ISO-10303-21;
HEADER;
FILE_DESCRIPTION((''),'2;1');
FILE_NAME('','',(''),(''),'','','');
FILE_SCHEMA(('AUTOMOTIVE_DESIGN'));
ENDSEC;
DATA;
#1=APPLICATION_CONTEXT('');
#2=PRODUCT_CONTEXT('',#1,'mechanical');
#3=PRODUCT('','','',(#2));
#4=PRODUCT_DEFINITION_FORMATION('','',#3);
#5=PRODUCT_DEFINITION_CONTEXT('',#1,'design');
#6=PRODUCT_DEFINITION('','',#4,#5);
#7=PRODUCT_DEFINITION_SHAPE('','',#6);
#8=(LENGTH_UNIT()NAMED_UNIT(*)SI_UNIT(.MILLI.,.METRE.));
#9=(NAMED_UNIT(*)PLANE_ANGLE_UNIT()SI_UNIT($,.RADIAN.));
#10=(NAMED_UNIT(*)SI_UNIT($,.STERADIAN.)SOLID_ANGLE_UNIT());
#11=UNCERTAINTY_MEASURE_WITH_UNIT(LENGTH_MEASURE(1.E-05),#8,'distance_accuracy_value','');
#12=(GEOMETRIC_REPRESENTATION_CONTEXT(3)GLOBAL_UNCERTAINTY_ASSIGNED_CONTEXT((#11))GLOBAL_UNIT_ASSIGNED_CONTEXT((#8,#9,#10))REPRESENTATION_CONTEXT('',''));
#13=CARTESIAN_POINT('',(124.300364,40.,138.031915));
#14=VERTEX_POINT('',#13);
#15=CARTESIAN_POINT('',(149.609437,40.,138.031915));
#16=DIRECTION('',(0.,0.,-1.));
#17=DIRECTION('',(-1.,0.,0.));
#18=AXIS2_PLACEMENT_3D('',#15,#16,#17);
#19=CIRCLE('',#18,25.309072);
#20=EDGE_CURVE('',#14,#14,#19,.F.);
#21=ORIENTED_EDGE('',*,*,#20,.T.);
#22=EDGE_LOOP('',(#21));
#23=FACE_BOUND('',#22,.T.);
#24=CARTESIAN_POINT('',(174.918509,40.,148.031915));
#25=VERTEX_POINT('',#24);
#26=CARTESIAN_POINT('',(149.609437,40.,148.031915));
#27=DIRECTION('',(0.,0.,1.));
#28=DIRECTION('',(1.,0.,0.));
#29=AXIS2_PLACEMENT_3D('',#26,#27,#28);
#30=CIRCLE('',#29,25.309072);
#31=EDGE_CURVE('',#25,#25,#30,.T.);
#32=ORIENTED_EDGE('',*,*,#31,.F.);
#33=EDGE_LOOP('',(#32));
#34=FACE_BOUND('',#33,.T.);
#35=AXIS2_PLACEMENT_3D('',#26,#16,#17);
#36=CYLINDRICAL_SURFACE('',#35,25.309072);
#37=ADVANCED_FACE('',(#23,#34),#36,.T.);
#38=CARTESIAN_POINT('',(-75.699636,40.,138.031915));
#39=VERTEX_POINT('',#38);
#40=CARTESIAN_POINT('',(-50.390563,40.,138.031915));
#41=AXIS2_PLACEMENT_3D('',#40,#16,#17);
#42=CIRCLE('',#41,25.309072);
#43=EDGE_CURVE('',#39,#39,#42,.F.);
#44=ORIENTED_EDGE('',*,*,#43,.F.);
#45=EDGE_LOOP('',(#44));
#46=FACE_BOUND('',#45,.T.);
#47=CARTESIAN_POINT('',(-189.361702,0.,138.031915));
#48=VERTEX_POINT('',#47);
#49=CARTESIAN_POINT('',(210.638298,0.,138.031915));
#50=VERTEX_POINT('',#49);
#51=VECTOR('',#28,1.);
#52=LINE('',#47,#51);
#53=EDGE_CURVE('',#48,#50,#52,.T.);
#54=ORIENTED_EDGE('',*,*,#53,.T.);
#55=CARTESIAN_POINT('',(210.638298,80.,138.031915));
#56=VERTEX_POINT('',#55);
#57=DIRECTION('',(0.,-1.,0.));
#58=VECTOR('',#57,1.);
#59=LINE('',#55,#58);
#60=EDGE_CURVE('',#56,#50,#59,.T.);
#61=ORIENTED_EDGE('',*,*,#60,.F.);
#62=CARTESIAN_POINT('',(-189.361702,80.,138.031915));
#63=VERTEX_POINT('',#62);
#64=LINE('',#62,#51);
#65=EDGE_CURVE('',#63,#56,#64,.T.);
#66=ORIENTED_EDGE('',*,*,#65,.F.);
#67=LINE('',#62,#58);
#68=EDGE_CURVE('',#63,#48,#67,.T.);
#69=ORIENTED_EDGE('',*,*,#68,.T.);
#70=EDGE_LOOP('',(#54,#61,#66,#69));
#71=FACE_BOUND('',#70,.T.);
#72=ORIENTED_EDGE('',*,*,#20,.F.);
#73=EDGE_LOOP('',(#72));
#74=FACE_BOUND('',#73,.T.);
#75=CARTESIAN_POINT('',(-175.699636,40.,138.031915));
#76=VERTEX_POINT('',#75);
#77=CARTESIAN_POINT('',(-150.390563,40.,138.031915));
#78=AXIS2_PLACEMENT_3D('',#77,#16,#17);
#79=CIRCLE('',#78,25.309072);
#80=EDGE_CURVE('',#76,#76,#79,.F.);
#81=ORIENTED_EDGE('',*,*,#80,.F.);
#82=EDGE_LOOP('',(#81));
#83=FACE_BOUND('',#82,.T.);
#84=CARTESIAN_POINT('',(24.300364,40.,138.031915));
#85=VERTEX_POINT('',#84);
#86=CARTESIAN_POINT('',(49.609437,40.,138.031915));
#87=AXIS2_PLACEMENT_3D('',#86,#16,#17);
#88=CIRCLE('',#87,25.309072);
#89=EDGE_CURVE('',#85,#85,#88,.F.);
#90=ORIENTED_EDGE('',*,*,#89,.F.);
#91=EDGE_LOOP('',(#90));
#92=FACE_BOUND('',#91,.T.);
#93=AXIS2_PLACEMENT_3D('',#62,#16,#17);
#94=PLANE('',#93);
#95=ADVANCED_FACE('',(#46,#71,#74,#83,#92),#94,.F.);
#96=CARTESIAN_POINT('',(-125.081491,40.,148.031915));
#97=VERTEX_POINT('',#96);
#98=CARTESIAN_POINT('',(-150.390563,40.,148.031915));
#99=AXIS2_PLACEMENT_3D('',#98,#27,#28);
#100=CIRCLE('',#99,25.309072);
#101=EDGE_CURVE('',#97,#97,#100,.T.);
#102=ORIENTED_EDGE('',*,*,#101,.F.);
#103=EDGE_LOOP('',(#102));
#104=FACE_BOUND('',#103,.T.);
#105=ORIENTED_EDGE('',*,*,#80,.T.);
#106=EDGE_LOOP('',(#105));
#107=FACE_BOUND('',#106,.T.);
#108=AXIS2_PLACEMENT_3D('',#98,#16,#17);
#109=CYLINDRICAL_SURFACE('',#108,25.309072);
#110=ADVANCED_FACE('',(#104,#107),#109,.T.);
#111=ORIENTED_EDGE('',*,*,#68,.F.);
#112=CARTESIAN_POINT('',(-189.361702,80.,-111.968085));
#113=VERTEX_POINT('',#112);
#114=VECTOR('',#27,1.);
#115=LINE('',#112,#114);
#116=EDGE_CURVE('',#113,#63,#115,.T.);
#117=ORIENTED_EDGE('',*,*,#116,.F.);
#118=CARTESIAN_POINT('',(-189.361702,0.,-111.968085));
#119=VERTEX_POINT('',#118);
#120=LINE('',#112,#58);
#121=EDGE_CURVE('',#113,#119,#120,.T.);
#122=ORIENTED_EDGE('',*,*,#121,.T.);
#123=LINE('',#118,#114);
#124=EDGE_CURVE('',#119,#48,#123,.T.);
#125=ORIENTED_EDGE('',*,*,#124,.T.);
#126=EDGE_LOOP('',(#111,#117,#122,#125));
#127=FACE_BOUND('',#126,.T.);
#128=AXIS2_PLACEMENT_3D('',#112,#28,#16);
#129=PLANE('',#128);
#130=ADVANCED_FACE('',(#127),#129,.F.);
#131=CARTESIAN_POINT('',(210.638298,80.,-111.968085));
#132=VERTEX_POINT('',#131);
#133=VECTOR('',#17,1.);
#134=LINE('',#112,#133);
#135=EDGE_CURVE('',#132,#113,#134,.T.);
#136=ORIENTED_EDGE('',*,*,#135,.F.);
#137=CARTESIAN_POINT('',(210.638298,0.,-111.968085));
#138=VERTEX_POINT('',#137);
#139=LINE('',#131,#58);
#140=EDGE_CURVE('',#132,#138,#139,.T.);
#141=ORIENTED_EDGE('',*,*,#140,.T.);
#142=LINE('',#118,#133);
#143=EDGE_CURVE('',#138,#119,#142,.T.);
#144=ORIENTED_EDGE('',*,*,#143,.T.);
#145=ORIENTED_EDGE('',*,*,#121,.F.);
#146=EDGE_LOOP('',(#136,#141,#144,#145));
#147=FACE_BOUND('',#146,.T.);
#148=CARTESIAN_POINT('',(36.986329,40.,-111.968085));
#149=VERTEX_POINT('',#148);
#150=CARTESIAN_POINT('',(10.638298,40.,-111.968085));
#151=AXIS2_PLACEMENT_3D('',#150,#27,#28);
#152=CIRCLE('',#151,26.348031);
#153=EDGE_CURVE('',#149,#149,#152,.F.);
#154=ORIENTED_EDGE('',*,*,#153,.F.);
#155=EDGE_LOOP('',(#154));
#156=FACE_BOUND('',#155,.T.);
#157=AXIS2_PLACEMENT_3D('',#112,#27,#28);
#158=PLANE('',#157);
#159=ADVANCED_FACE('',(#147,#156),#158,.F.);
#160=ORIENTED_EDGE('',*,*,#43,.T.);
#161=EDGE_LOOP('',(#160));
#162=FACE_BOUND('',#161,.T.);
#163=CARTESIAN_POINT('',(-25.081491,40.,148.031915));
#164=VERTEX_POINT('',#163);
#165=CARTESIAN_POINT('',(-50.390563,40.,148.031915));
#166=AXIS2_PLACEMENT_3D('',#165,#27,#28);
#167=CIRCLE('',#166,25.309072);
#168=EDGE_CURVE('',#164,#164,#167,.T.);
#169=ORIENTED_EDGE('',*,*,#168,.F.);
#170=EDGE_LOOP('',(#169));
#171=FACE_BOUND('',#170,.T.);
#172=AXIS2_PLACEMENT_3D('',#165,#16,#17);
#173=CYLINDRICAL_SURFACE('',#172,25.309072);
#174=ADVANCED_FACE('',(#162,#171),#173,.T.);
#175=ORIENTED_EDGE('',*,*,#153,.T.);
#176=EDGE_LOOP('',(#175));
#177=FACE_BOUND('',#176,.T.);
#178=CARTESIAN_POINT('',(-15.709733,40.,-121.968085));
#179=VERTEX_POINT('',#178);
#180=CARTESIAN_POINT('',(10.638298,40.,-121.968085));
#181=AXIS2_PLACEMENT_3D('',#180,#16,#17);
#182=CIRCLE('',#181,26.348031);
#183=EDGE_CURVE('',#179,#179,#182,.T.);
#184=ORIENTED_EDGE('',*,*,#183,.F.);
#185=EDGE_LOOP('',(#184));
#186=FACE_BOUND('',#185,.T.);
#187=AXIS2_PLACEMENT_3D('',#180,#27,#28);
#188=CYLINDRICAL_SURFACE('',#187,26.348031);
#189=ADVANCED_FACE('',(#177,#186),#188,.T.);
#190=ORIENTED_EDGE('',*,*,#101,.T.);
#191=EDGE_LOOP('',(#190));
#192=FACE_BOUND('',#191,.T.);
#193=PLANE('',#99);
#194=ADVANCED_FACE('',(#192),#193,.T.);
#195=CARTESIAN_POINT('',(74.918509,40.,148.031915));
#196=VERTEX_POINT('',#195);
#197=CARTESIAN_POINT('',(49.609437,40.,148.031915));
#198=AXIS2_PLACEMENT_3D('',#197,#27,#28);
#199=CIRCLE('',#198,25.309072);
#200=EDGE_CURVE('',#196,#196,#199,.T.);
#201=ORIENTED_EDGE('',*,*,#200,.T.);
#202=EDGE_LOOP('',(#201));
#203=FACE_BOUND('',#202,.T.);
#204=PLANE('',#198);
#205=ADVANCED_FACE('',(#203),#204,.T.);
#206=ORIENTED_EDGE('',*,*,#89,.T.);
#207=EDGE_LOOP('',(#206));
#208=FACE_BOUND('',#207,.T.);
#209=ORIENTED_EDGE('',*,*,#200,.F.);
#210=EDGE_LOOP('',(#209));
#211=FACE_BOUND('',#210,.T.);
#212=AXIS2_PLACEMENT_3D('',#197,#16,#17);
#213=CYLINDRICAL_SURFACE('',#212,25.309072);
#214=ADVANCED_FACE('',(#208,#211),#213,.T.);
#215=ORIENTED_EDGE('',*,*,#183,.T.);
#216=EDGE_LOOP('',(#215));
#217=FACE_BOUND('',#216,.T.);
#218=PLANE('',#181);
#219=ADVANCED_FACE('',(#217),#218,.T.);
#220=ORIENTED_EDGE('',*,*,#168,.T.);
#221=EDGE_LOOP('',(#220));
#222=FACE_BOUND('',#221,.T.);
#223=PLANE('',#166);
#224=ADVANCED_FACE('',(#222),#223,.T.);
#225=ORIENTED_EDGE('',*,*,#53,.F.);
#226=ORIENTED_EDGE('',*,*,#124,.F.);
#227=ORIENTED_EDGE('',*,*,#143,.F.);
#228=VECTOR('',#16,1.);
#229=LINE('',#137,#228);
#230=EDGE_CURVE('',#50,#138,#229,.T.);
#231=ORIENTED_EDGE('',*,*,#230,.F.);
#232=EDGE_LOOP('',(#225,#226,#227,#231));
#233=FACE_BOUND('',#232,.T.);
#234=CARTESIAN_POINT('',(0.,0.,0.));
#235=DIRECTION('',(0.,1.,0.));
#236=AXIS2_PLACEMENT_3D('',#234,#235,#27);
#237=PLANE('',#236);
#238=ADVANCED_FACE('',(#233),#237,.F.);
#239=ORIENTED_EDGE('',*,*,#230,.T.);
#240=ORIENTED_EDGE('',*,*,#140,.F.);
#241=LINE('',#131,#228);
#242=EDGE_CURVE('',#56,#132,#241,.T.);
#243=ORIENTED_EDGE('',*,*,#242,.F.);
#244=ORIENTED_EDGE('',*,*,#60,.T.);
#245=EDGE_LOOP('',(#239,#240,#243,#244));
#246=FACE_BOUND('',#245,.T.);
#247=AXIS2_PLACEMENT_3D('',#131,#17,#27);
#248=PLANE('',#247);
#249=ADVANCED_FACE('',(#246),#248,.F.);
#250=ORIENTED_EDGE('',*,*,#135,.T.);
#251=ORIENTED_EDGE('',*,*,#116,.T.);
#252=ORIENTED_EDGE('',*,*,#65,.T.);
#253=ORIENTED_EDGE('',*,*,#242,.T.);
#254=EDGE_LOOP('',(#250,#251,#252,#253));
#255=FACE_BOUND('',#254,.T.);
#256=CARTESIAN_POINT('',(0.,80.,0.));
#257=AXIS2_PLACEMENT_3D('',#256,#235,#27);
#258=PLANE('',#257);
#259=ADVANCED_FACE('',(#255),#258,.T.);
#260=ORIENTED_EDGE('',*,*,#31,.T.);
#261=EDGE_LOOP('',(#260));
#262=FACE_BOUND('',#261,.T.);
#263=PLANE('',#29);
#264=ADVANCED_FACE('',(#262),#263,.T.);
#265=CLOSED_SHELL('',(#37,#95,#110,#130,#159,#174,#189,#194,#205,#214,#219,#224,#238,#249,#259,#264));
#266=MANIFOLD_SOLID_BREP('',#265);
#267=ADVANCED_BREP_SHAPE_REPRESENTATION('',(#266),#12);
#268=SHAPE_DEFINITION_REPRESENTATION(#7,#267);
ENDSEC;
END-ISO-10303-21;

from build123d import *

# Parameters (mm, degrees)
SKETCH_1_W      = 400
SKETCH_1_H      = 250
EXTRUDE_1_DEPTH = 80
SKETCH_3_R      = 26.348031195
EXTRUDE_2_DEPTH = 10
SKETCH_2_R      = 25.309072204
EXTRUDE_3_DEPTH = 10


with BuildPart() as part:
    # 草图1 → 凸台-拉伸1 (new body)
    with BuildSketch(Plane(origin=(0, 0, 0), x_dir=(1, 0, 0), z_dir=(0, 1, 0))):
        with Locations((10.638297872, -13.031914894)):
            Rectangle(SKETCH_1_W, SKETCH_1_H)
    extrude(amount=EXTRUDE_1_DEPTH)

    # 草图3 → 凸台-拉伸2 (add)
    with BuildSketch(Plane(origin=(0, 0, -111.968085106), x_dir=(-1, 0, 0), z_dir=(0, 0, -1))):
        with Locations(Location((-10.638297872, 40, 0), (0, 0, 180))):
            Circle(SKETCH_3_R)
    extrude(amount=EXTRUDE_2_DEPTH)

    # 草图2 → 凸台-拉伸3 (add)
    with BuildSketch(Plane.XY.offset(138.031914894)):
        with Locations(Location((-150.390563376, 40, 0), (0, 0, 180))):
            Circle(SKETCH_2_R)
        with Locations(Location((-50.390563376, 40, 0), (0, 0, 180))):
            Circle(SKETCH_2_R)
        with Locations(Location((49.609436624, 40, 0), (0, 0, 180))):
            Circle(SKETCH_2_R)
        with Locations(Location((149.609436624, 40, 0), (0, 0, 180))):
            Circle(SKETCH_2_R)
    extrude(amount=EXTRUDE_3_DEPTH)


solid = part.part
